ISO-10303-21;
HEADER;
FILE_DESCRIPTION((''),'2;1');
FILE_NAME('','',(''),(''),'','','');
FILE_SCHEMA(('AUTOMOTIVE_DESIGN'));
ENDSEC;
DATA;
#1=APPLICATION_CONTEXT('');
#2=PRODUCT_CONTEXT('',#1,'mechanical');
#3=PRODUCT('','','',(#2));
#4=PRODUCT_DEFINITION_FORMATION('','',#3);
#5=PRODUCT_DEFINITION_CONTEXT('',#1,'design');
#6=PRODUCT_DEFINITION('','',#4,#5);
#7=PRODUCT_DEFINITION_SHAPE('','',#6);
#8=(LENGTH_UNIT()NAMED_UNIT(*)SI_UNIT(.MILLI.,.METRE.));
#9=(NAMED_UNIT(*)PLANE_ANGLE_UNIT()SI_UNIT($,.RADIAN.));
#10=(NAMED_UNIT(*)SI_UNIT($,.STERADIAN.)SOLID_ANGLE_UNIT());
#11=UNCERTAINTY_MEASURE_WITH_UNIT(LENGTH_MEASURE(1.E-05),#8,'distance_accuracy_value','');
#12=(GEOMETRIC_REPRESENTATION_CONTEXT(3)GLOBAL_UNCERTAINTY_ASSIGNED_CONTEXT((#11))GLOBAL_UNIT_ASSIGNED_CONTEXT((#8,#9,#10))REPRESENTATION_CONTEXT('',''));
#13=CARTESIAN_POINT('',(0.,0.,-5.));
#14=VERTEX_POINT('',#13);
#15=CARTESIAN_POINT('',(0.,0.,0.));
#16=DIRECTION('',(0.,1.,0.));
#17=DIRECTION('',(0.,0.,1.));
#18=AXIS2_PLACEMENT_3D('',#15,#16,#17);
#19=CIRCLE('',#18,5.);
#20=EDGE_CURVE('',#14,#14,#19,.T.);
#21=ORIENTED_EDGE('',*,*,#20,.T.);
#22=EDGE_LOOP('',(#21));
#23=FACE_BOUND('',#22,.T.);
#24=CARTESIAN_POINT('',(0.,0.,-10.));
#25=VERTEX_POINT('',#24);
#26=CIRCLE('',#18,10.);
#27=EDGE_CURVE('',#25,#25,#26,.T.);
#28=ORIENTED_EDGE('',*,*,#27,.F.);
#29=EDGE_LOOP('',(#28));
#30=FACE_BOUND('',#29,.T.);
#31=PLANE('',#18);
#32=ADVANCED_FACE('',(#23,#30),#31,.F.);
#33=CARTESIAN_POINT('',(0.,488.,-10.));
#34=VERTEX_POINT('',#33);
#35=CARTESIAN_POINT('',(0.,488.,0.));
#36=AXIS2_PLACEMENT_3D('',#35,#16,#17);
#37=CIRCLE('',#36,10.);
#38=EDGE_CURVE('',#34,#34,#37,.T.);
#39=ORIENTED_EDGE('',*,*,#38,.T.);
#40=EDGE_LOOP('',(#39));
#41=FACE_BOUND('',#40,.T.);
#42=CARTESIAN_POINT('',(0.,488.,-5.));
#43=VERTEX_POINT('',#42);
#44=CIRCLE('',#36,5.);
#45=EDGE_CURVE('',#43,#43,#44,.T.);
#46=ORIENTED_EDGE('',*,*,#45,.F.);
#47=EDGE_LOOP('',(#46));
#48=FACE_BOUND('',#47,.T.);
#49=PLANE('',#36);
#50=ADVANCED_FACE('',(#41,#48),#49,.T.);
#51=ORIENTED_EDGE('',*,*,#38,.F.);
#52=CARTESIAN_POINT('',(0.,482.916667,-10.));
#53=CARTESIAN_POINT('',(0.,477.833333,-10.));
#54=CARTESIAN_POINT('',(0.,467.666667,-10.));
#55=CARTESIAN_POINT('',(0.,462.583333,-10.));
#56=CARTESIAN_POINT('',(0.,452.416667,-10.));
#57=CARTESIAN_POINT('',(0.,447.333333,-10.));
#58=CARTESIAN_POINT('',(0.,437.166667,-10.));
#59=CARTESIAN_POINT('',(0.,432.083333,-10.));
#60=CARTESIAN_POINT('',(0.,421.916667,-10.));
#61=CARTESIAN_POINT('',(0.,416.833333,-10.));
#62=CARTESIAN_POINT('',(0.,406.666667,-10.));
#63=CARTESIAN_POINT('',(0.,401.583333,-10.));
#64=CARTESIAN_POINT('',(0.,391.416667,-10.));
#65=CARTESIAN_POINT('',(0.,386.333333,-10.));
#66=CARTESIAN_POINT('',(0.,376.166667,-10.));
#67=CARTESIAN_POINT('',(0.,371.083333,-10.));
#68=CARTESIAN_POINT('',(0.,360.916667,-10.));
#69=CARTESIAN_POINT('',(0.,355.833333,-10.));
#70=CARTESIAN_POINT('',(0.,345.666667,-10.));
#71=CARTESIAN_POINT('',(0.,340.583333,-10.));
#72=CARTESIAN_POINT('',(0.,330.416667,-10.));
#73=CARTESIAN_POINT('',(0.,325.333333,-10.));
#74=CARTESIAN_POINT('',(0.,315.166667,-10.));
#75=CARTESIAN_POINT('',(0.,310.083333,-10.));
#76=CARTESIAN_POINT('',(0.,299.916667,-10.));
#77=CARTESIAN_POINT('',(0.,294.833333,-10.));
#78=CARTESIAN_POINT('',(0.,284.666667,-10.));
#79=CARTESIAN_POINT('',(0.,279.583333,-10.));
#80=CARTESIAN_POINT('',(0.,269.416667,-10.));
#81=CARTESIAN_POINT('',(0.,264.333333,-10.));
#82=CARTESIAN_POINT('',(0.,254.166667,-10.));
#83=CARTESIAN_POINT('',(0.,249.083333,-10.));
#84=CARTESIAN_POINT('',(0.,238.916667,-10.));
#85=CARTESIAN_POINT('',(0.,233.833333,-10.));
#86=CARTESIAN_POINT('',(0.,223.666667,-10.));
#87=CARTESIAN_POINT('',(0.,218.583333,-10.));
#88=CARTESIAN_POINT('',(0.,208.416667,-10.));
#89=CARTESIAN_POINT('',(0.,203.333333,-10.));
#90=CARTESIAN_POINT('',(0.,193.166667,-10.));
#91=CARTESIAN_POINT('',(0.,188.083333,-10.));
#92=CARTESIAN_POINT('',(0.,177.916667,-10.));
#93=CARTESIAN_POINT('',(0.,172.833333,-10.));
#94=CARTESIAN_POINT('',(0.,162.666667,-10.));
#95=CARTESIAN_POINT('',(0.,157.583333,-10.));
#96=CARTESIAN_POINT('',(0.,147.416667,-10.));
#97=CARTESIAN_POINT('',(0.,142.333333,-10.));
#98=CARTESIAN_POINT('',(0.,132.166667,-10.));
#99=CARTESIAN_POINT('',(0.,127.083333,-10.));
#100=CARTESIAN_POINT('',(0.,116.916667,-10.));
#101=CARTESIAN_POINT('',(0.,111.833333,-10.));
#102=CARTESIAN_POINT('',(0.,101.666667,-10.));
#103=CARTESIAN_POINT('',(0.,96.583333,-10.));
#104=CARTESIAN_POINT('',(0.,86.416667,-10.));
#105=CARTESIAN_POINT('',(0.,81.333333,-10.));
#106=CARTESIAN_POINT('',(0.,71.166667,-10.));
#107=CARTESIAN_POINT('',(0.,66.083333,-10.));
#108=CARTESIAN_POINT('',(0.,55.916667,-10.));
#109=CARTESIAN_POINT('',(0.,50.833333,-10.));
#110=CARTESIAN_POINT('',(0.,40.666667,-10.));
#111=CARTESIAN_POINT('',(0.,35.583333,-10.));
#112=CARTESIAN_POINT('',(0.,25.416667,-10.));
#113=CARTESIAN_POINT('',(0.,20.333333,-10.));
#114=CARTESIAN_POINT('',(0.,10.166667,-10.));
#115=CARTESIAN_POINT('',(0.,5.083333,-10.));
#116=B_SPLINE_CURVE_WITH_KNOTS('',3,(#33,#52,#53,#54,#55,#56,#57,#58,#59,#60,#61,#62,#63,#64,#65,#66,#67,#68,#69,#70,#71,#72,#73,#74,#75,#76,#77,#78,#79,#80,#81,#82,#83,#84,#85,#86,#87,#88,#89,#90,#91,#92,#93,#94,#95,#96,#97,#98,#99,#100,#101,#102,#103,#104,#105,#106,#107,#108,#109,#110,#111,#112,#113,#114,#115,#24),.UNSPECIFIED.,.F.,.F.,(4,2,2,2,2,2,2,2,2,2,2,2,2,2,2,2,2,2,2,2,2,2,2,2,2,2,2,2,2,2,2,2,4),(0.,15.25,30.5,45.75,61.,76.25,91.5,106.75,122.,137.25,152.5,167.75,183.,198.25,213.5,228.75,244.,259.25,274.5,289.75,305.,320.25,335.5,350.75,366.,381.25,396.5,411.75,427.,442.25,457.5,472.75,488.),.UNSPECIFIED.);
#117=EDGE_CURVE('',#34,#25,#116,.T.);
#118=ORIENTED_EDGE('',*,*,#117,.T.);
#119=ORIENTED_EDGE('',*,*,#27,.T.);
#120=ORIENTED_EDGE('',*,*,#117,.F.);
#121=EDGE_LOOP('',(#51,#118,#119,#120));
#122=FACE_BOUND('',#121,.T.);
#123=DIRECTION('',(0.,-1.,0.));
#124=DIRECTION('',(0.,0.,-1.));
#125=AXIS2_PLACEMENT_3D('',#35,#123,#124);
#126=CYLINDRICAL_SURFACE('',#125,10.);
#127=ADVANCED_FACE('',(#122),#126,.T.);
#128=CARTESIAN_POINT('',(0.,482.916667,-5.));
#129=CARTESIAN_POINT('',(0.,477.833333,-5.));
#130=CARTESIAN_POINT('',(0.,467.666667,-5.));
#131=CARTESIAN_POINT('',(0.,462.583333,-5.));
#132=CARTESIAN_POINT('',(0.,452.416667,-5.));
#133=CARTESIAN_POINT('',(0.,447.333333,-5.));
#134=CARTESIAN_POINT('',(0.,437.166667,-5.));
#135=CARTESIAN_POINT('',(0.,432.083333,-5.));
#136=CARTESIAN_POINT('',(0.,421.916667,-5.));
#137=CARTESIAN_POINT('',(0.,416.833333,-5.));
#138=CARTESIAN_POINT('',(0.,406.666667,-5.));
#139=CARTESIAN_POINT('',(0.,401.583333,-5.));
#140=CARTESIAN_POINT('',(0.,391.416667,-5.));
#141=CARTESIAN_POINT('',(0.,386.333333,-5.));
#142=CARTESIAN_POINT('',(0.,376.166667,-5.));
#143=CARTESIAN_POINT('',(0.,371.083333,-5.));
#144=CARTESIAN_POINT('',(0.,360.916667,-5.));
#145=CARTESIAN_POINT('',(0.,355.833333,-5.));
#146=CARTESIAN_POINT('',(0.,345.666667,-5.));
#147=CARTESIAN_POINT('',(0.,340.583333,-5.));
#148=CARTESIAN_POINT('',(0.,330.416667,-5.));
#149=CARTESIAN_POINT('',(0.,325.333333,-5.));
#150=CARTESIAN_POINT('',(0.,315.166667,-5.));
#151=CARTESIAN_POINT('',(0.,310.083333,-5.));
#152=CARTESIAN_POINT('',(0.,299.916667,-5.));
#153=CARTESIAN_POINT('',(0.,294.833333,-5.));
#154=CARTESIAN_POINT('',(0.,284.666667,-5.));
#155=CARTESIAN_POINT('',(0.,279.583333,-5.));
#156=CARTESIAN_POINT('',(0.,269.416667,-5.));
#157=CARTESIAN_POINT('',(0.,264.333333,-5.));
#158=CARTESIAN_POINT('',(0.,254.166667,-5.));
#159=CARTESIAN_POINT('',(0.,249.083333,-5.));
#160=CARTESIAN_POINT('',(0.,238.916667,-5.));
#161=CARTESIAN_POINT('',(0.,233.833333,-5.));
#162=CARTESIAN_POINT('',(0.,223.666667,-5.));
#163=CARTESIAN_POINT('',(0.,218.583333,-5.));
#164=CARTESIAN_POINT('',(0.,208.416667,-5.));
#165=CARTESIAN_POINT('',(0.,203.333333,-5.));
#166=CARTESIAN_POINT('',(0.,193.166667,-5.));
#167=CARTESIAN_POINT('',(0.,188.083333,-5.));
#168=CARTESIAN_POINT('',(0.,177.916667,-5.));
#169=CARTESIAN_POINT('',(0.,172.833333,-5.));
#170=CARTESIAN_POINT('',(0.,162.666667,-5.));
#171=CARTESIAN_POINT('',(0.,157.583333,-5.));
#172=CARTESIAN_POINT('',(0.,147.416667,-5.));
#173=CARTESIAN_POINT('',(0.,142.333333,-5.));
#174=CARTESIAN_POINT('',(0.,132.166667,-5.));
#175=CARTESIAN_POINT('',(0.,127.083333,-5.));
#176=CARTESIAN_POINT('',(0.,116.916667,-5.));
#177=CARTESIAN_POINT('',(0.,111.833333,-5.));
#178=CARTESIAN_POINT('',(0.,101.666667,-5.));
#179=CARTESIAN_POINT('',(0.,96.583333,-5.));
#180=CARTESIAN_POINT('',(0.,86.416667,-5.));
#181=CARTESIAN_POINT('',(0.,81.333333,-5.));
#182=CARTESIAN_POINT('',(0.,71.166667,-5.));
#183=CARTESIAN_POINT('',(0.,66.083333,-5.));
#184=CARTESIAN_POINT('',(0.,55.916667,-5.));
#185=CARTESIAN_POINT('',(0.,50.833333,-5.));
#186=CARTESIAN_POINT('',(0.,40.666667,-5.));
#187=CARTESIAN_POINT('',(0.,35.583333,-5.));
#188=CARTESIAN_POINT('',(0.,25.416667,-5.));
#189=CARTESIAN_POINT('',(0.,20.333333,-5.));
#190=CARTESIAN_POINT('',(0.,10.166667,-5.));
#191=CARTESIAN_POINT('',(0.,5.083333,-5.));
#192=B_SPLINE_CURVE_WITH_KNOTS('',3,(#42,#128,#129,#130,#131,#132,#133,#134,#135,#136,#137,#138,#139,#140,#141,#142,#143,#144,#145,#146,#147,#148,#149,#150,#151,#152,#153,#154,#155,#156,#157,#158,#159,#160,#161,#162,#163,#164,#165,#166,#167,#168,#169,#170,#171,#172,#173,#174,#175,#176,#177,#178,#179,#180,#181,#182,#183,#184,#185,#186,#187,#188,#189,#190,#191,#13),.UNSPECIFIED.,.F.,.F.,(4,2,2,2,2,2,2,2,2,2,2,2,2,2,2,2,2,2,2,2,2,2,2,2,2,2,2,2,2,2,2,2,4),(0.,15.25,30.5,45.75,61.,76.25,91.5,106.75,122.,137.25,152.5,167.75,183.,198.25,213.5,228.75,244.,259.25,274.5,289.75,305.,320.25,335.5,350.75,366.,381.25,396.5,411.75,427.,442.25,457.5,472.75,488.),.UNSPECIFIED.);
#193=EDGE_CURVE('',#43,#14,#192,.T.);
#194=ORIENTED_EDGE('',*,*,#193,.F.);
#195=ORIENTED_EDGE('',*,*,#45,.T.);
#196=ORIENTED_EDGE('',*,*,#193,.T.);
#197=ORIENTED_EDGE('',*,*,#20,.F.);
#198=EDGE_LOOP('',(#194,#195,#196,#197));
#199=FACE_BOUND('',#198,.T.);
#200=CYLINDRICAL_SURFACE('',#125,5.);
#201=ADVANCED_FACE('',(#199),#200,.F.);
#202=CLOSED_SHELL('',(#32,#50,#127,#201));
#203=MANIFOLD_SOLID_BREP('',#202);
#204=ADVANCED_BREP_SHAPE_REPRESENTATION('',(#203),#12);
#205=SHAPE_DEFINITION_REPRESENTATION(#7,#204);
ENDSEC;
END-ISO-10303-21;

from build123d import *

# Parameters (mm, degrees)
SKETCH_1_R      = 10
SKETCH_1_R_2    = 5
EXTRUDE_1_DEPTH = 488


with BuildPart() as part:
    # Эскиз1 → Бобышка-Вытянуть1 (new body)
    with BuildSketch(Plane(origin=(0, 0, 0), x_dir=(1, 0, 0), z_dir=(0, 1, 0))):
        with Locations(Location((0, 0, 0), (0, 0, 90))):
            Circle(SKETCH_1_R)
        with Locations(Location((0, 0, 0), (0, 0, 90))):
            Circle(SKETCH_1_R_2, mode=Mode.SUBTRACT)
    extrude(amount=EXTRUDE_1_DEPTH)


solid = part.part
